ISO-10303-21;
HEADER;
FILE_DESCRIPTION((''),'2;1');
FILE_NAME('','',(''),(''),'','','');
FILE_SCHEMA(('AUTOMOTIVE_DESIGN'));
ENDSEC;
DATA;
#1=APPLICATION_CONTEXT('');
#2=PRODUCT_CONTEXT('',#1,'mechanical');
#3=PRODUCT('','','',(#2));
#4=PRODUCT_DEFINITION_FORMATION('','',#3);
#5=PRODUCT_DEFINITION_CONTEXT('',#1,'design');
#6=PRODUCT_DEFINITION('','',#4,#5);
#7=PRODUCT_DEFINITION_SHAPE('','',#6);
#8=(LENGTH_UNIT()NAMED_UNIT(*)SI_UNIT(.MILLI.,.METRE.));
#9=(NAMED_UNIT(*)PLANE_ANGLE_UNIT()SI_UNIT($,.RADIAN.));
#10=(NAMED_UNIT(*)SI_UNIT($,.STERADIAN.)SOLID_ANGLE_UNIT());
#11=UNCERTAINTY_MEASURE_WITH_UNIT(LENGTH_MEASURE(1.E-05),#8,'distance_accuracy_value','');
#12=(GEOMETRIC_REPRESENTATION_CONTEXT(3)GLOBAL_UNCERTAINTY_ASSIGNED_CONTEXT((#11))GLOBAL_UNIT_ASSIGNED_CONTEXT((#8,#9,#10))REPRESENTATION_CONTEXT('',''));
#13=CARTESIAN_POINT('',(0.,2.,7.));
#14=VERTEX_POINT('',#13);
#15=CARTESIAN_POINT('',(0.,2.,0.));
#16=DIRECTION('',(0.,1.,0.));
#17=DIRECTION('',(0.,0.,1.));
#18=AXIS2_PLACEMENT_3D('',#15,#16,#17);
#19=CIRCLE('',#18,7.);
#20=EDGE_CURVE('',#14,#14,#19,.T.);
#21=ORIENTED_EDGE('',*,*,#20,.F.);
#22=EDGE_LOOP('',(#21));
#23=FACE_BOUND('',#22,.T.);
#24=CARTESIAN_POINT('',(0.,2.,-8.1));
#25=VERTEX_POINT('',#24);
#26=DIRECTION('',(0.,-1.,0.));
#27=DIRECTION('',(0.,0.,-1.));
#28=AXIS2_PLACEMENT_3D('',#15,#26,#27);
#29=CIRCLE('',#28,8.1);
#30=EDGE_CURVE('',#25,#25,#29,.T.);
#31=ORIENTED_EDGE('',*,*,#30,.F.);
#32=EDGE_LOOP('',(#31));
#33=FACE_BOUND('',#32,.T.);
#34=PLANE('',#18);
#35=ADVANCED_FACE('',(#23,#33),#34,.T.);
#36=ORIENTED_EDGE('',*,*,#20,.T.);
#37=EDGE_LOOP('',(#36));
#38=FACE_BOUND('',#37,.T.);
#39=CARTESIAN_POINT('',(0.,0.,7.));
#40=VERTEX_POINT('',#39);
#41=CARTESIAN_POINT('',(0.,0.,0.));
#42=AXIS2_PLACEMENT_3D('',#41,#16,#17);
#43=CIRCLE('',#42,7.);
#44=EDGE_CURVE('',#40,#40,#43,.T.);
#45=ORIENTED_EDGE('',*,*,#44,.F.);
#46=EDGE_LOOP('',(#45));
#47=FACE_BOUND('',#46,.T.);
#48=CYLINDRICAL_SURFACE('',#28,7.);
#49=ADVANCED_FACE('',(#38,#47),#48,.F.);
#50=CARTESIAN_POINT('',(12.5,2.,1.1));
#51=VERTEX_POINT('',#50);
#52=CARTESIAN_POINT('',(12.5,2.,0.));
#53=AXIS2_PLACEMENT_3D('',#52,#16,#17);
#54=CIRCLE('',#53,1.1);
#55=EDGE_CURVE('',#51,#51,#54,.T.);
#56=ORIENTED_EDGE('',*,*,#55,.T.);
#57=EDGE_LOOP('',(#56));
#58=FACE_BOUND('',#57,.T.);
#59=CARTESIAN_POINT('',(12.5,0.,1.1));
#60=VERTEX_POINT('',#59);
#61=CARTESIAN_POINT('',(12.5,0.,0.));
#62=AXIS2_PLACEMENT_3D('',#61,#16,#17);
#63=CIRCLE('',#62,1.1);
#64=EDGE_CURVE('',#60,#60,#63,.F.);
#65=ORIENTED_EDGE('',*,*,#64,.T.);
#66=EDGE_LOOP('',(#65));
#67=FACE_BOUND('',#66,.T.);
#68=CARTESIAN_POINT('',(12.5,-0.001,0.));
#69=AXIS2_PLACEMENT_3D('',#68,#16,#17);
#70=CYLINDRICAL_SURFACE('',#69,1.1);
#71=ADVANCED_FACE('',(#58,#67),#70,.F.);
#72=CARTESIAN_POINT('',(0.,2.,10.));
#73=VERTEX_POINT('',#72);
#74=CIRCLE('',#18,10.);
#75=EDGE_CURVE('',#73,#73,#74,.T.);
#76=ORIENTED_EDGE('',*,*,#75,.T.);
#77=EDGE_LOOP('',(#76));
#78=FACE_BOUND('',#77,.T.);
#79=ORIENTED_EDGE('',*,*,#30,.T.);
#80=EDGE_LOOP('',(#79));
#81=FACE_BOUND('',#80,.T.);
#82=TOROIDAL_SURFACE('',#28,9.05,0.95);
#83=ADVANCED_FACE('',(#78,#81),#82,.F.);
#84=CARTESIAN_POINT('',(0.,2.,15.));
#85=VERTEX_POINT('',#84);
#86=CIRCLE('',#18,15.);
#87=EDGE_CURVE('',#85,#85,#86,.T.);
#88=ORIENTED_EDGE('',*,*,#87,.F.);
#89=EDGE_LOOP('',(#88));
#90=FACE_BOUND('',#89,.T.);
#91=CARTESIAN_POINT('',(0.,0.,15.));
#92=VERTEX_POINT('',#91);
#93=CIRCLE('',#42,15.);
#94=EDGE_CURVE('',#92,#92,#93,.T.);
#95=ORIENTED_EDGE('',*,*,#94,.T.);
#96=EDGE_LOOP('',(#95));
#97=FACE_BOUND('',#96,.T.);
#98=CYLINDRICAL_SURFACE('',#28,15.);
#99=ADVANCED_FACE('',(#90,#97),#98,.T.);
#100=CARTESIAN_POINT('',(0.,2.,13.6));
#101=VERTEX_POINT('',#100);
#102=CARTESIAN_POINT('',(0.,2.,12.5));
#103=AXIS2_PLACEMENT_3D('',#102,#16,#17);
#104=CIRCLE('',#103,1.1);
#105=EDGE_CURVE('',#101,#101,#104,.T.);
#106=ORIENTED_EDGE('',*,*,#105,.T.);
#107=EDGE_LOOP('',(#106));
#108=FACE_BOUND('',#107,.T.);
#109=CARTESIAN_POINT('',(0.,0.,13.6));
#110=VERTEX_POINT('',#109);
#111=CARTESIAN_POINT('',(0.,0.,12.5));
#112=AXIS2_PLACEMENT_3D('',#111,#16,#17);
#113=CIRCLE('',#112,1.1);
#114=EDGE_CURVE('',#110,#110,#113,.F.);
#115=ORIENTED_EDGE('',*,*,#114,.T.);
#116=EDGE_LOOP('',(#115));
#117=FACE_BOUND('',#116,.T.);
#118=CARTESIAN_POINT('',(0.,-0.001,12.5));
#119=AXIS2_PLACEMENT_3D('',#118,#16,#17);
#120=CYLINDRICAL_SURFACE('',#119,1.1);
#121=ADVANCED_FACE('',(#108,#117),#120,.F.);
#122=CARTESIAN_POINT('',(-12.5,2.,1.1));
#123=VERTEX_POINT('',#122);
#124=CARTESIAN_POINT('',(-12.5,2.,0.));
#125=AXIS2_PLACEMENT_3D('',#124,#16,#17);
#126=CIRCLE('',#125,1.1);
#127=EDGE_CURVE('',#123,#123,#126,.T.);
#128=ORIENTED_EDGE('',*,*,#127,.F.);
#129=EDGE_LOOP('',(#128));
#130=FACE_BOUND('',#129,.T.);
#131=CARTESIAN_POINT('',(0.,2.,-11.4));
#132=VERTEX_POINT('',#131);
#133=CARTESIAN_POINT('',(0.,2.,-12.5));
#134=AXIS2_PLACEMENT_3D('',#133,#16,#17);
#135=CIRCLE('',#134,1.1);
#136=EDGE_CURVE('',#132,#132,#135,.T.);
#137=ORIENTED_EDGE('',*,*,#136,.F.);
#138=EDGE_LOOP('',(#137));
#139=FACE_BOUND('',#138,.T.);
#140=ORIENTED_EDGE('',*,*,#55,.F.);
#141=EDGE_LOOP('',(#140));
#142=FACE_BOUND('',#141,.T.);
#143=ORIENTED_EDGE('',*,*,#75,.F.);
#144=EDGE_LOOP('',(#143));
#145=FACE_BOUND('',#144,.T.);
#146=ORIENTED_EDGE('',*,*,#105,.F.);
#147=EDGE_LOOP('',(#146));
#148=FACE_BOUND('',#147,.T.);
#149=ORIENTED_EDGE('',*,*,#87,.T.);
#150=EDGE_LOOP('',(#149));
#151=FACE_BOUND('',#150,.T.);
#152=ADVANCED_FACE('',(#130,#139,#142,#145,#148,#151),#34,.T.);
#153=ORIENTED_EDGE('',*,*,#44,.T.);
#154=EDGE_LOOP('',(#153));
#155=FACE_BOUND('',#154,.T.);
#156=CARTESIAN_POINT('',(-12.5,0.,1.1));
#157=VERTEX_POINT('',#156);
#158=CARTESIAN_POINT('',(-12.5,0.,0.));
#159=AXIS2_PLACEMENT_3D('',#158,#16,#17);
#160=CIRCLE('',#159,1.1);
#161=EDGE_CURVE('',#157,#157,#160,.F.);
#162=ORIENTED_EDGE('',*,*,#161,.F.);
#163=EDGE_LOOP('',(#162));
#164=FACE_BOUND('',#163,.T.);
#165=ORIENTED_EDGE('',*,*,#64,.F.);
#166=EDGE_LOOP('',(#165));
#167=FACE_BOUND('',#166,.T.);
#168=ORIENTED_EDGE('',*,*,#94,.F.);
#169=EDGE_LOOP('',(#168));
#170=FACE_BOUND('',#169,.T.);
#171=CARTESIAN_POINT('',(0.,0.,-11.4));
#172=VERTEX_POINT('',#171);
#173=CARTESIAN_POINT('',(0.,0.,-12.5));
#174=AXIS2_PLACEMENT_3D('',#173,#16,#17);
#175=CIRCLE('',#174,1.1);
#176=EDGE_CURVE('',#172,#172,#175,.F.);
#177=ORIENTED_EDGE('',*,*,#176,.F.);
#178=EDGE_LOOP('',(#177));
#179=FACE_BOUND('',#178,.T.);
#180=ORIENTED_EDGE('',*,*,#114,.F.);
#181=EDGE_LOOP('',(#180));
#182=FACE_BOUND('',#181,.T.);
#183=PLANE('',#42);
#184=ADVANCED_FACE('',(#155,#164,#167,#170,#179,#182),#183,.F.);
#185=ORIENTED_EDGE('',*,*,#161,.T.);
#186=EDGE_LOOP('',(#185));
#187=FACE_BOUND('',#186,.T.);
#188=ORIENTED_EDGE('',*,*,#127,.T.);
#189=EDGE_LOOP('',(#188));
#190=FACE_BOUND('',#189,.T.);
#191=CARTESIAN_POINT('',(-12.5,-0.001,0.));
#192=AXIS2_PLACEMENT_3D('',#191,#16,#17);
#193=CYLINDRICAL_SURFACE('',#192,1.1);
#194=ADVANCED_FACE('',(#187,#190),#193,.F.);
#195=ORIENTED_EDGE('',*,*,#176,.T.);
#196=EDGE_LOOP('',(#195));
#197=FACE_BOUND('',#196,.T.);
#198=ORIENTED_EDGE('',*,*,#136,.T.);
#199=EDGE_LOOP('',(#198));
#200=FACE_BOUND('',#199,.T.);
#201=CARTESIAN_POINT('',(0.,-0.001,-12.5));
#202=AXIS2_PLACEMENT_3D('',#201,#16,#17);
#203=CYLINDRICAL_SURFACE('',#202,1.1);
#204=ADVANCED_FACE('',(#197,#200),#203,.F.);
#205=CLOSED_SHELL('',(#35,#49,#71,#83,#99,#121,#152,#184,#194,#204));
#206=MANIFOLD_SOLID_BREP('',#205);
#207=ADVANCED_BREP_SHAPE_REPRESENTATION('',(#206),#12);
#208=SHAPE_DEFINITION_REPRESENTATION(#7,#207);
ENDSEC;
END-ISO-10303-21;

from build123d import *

# Parameters (mm, degrees)
SKETCH_1_R          = 15
SKETCH_1_R_2        = 7
EXTRUDE_1_DEPTH     = 2
CUT_EXTRUDE_1_REACH = 23.307
SKETCH_2_R          = 1.1
SKETCH_3_R          = 0.95


with BuildPart() as part:
    # 草图1 → 凸台-拉伸1 (new body)
    with BuildSketch(Plane(origin=(0, 0, 0), x_dir=(1, 0, 0), z_dir=(0, 1, 0))):
        with Locations(Location((0, 0, 0), (0, 0, 270))):
            Circle(SKETCH_1_R)
        with Locations(Location((0, 0, 0), (0, 0, 270))):
            Circle(SKETCH_1_R_2, mode=Mode.SUBTRACT)
    extrude(amount=EXTRUDE_1_DEPTH)

    # 草图2 → 切除-拉伸1 (cut, up to next)
    with BuildSketch(Plane(origin=(0, 2, 0), x_dir=(1, 0, 0), z_dir=(0, 1, 0)), mode=Mode.PRIVATE) as cut_extrude_1_sk1:
        with Locations(Location((12.5, 0, 0), (0, 0, 270))):
            Circle(SKETCH_2_R)
    cut_extrude_1_tool1 = extrude(cut_extrude_1_sk1.sketch, amount=-CUT_EXTRUDE_1_REACH, mode=Mode.PRIVATE) & part.part
    # 草图2 → 切除-拉伸1 (cut, up to next)
    with BuildSketch(Plane(origin=(0, 2, 0), x_dir=(1, 0, 0), z_dir=(0, 1, 0)), mode=Mode.PRIVATE) as cut_extrude_1_sk2:
        with Locations(Location((0, -12.5, 0), (0, 0, 270))):
            Circle(SKETCH_2_R)
    cut_extrude_1_tool2 = extrude(cut_extrude_1_sk2.sketch, amount=-CUT_EXTRUDE_1_REACH, mode=Mode.PRIVATE) & part.part
    # 草图2 → 切除-拉伸1 (cut, up to next)
    with BuildSketch(Plane(origin=(0, 2, 0), x_dir=(1, 0, 0), z_dir=(0, 1, 0)), mode=Mode.PRIVATE) as cut_extrude_1_sk3:
        with Locations(Location((-12.5, 0, 0), (0, 0, 270))):
            Circle(SKETCH_2_R)
    cut_extrude_1_tool3 = extrude(cut_extrude_1_sk3.sketch, amount=-CUT_EXTRUDE_1_REACH, mode=Mode.PRIVATE) & part.part
    # 草图2 → 切除-拉伸1 (cut, up to next)
    with BuildSketch(Plane(origin=(0, 2, 0), x_dir=(1, 0, 0), z_dir=(0, 1, 0)), mode=Mode.PRIVATE) as cut_extrude_1_sk4:
        with Locations(Location((0, 12.5, 0), (0, 0, 270))):
            Circle(SKETCH_2_R)
    cut_extrude_1_tool4 = extrude(cut_extrude_1_sk4.sketch, amount=-CUT_EXTRUDE_1_REACH, mode=Mode.PRIVATE) & part.part
    add(cut_extrude_1_tool1.solids().sort_by_distance((12.5, 2, 0))[0], mode=Mode.SUBTRACT)
    add(cut_extrude_1_tool2.solids().sort_by_distance((0, 2, 12.5))[0], mode=Mode.SUBTRACT)
    add(cut_extrude_1_tool3.solids().sort_by_distance((-12.5, 2, 0))[0], mode=Mode.SUBTRACT)
    add(cut_extrude_1_tool4.solids().sort_by_distance((0, 2, -12.5))[0], mode=Mode.SUBTRACT)

    # 草图3 → 切除-旋转1 (revolve, cut)
    with BuildSketch(Plane.XY, mode=Mode.PRIVATE) as cut_revolve_1_sk:
        with Locations((9.05, 2)):
            Circle(SKETCH_3_R)
    revolve(cut_revolve_1_sk.sketch.rotate(Axis((0, 2, 0), (0, 1, 0)), 90), axis=Axis((0, 2, 0), (0, 1, 0)), mode=Mode.SUBTRACT)


solid = part.part
